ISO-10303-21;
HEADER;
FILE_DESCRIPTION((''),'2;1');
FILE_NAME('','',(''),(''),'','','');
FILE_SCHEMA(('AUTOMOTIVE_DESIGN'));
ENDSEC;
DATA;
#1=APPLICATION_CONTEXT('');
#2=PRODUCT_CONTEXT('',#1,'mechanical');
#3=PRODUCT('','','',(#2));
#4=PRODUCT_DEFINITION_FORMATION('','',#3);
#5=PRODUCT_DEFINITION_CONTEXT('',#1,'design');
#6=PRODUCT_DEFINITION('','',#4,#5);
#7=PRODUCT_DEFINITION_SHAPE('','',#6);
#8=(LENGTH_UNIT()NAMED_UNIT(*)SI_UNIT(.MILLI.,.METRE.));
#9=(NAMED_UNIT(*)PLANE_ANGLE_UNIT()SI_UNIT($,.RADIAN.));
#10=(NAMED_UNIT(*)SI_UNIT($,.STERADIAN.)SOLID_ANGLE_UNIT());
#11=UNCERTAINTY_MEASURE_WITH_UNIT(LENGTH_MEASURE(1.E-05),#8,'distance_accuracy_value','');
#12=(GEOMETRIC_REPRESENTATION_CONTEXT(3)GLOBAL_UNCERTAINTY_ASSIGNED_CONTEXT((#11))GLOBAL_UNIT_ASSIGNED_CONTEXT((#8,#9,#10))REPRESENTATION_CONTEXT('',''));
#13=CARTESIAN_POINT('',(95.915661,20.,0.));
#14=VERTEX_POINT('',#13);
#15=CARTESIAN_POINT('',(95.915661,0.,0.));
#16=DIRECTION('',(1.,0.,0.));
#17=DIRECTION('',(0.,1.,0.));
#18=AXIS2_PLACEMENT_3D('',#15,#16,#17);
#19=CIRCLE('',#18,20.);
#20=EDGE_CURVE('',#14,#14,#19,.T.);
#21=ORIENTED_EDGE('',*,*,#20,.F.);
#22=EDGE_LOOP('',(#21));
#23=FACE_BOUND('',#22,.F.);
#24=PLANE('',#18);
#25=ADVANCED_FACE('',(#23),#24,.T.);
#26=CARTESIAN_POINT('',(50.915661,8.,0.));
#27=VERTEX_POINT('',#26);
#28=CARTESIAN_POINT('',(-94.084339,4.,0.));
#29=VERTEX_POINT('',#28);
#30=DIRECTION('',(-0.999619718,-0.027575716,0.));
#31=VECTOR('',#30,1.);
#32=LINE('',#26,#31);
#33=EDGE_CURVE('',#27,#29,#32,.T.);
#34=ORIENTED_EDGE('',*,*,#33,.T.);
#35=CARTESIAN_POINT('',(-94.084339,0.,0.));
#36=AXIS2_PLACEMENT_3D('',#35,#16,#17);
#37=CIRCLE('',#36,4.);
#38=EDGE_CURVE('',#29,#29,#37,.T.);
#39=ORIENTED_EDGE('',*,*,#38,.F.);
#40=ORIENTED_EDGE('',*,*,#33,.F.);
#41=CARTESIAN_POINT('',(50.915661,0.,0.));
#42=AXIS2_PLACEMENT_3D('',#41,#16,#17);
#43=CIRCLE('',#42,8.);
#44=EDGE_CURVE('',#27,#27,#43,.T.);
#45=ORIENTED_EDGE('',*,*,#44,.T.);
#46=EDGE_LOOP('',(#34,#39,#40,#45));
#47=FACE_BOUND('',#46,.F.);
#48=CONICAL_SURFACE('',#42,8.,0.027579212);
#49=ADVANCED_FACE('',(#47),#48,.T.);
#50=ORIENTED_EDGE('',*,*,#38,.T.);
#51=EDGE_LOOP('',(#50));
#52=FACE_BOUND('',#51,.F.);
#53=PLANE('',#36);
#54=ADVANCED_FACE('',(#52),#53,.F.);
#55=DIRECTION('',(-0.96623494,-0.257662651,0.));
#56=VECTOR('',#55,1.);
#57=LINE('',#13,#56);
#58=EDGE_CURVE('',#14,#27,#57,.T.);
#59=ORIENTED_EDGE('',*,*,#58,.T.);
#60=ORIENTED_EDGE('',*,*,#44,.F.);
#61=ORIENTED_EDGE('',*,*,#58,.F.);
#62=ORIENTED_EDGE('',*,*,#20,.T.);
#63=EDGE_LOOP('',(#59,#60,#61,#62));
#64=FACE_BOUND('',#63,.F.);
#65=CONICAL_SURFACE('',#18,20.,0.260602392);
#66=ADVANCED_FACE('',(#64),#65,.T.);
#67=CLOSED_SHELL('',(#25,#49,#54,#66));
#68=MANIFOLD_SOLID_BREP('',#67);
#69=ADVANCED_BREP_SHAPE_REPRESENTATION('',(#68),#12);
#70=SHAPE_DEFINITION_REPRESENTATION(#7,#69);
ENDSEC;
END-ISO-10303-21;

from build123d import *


with BuildPart() as f1:
    # F0 (on Top) → F1 (revolve)
    with BuildSketch(Plane.XY):
        Polygon((-94.084339, 4), (-94.084339, 0), (50.915661, 0), (50.915661, 8), align=None)
        Polygon((50.915661, 8), (50.915661, 0), (95.915661, 0), (95.915661, 20), align=None)
    revolve(axis=Axis((-7.657569, 0, 0), (1, 0, 0)))


solid = f1.part
